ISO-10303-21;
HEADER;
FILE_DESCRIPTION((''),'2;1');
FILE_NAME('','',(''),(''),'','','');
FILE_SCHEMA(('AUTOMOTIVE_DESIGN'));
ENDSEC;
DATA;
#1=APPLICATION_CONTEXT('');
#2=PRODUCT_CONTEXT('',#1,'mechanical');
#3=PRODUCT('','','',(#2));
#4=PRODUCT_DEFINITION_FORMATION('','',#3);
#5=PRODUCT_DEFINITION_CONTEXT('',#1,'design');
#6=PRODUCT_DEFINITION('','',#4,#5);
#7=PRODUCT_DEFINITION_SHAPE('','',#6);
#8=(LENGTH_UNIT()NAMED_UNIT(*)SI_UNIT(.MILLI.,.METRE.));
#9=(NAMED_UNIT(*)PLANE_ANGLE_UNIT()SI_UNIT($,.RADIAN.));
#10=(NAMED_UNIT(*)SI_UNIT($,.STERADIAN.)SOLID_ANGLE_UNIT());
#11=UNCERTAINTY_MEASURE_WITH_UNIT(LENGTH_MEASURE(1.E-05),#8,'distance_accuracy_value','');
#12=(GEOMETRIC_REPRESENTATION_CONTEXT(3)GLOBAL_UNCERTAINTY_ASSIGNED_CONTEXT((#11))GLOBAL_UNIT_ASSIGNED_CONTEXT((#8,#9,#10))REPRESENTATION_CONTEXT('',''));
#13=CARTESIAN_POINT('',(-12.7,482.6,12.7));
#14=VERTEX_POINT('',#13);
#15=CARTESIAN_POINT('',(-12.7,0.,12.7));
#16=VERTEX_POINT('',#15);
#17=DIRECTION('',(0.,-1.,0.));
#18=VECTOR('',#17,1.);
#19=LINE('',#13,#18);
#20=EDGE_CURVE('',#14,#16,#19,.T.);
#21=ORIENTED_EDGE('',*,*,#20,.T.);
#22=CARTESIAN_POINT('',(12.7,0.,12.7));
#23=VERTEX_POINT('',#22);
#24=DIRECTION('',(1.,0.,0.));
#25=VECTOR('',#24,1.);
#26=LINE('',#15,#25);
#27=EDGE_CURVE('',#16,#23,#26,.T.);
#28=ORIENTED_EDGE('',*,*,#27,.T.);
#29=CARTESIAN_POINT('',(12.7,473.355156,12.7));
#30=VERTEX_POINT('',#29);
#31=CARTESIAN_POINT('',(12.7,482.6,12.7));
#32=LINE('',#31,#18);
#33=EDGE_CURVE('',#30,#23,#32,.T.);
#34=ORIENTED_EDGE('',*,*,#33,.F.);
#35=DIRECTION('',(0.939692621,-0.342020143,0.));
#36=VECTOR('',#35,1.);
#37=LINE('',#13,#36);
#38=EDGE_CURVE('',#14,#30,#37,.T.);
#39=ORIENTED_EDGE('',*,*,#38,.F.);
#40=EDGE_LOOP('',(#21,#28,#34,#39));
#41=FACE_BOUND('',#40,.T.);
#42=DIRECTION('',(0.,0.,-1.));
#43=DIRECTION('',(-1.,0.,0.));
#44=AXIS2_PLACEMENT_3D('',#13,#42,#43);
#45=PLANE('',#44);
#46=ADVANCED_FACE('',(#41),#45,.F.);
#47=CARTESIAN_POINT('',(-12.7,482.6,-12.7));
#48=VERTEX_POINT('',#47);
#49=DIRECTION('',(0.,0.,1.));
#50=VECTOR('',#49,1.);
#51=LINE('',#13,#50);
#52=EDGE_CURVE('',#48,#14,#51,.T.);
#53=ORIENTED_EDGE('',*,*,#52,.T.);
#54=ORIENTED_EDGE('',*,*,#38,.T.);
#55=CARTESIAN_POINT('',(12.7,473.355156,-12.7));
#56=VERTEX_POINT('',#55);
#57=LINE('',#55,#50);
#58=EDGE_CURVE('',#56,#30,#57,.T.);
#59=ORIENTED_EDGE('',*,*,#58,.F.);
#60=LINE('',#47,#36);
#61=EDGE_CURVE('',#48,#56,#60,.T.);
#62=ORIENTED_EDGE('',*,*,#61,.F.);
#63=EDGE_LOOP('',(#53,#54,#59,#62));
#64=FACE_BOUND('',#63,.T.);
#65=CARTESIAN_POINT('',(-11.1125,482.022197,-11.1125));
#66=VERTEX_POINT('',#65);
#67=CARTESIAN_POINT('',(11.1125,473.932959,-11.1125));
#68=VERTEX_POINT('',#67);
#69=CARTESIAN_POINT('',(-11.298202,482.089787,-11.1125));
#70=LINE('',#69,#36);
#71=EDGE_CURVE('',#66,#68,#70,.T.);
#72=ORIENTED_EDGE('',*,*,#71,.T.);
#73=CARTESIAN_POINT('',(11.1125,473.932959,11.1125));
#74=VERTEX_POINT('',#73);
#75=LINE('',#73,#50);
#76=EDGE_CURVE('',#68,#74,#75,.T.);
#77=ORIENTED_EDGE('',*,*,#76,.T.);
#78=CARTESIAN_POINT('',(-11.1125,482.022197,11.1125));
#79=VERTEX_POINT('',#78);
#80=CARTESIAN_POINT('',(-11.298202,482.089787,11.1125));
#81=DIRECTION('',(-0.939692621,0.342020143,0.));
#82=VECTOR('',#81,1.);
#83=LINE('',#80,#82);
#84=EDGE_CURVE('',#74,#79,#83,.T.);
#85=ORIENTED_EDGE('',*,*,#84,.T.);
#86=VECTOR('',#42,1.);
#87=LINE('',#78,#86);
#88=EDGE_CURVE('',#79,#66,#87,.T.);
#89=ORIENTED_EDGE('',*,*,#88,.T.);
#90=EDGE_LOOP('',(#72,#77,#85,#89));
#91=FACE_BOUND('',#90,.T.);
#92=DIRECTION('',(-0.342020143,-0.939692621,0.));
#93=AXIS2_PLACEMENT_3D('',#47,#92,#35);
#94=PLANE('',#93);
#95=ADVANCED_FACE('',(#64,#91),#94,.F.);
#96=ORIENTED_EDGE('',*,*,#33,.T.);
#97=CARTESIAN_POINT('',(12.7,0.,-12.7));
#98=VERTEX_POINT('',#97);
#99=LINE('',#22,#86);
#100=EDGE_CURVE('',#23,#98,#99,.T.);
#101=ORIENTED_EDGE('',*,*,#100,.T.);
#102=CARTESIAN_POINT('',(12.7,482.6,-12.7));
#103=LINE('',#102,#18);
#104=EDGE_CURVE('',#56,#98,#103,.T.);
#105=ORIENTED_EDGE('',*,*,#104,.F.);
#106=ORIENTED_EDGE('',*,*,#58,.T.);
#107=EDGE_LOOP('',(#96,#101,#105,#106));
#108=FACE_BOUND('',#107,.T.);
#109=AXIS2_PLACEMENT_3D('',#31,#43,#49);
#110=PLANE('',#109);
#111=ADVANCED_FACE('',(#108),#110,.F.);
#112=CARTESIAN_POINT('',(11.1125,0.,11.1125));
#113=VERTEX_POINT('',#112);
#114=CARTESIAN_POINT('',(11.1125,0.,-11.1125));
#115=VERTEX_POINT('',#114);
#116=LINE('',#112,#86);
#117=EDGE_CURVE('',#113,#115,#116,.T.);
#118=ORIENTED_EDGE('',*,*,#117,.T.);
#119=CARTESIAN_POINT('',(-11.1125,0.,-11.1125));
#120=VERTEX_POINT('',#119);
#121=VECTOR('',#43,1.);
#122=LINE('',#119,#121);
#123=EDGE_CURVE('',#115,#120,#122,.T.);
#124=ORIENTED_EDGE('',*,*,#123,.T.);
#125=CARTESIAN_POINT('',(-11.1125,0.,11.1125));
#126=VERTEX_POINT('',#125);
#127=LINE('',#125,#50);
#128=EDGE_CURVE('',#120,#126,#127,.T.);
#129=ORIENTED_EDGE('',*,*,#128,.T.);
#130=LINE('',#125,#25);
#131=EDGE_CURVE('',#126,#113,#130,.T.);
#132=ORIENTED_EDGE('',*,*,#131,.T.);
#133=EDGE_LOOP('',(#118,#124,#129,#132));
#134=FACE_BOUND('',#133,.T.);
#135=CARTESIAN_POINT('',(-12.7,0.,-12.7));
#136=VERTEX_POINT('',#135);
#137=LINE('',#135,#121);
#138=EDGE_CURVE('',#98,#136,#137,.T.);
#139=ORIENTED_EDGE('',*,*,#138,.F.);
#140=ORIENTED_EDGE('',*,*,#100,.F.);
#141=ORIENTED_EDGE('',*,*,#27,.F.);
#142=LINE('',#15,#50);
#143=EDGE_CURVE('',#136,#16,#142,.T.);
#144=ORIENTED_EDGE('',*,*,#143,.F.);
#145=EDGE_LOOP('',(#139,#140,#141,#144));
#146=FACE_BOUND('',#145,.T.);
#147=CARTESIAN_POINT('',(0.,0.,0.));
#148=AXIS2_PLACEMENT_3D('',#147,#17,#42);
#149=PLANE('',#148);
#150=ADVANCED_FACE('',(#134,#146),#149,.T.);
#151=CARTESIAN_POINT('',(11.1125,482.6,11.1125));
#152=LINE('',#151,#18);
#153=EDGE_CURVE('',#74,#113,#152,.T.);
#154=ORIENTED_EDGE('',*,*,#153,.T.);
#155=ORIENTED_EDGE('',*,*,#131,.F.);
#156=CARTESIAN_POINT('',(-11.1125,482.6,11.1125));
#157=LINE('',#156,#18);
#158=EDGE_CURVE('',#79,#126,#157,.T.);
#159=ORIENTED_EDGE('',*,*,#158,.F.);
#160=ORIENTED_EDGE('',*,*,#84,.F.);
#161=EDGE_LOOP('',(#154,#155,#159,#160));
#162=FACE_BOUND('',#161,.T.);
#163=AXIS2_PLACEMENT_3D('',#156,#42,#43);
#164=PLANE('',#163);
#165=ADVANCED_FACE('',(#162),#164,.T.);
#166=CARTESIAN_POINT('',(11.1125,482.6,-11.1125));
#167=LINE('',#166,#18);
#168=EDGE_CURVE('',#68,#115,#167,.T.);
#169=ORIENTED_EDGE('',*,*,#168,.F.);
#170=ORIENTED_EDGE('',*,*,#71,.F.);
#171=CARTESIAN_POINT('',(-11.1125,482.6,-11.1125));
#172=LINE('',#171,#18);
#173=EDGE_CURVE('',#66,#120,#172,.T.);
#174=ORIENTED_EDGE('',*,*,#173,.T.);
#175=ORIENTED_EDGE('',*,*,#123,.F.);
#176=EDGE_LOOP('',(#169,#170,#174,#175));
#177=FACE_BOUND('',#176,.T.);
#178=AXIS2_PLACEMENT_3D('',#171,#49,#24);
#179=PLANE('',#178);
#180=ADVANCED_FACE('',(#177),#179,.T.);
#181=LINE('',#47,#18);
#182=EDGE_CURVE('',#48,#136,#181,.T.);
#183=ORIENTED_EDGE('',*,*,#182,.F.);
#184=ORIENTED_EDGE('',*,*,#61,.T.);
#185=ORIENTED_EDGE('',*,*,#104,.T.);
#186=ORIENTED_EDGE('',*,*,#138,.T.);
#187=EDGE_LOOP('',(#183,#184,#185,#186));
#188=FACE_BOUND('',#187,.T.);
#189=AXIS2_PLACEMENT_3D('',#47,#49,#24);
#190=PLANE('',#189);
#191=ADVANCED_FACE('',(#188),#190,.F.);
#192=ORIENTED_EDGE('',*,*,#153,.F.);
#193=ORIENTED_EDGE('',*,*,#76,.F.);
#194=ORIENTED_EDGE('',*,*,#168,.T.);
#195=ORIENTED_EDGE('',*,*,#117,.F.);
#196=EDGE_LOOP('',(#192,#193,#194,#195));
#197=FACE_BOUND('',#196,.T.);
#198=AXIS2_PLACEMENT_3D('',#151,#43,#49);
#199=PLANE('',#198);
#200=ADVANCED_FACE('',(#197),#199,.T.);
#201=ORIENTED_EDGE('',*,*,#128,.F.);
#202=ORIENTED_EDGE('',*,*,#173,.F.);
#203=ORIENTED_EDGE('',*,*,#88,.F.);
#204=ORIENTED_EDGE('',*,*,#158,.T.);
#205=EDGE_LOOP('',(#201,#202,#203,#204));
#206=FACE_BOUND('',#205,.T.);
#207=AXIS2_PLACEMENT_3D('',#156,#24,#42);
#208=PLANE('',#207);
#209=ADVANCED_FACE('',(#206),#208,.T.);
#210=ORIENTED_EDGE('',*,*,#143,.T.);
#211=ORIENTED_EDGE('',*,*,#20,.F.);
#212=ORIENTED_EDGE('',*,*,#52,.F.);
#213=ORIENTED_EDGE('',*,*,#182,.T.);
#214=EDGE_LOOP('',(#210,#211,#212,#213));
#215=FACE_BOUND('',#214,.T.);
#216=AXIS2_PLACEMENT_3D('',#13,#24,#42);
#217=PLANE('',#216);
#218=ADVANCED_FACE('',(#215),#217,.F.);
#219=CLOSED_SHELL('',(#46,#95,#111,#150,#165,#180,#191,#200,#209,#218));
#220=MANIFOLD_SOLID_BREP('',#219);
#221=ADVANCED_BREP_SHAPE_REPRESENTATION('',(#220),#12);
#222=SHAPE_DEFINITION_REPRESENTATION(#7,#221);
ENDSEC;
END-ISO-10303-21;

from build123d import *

# Parameters (mm, degrees)
SKETCH1_W           = 25.4
SKETCH1_H           = 25.4
SKETCH1_W_2         = 22.225
SKETCH1_H_2         = 22.225
BOSS_EXTRUDE1_DEPTH = 482.6
CUT_EXTRUDE1_DEPTH  = 25.4


with BuildPart() as part:
    # Sketch1 → Boss-Extrude1 (new body)
    with BuildSketch(Plane(origin=(0, 0, 0), x_dir=(1, 0, 0), z_dir=(0, 1, 0))):
        Rectangle(SKETCH1_W, SKETCH1_H)
        Rectangle(SKETCH1_W_2, SKETCH1_H_2, mode=Mode.SUBTRACT)
    extrude(amount=BOSS_EXTRUDE1_DEPTH)

    # Sketch2 → Cut-Extrude1 (cut)
    with BuildSketch(Plane.XY.offset(12.7)):
        Polygon((-12.7, 482.6), (12.7, 473.35515605), (12.7, 482.6), align=None)
    extrude(amount=-CUT_EXTRUDE1_DEPTH, mode=Mode.SUBTRACT)


solid = part.part
